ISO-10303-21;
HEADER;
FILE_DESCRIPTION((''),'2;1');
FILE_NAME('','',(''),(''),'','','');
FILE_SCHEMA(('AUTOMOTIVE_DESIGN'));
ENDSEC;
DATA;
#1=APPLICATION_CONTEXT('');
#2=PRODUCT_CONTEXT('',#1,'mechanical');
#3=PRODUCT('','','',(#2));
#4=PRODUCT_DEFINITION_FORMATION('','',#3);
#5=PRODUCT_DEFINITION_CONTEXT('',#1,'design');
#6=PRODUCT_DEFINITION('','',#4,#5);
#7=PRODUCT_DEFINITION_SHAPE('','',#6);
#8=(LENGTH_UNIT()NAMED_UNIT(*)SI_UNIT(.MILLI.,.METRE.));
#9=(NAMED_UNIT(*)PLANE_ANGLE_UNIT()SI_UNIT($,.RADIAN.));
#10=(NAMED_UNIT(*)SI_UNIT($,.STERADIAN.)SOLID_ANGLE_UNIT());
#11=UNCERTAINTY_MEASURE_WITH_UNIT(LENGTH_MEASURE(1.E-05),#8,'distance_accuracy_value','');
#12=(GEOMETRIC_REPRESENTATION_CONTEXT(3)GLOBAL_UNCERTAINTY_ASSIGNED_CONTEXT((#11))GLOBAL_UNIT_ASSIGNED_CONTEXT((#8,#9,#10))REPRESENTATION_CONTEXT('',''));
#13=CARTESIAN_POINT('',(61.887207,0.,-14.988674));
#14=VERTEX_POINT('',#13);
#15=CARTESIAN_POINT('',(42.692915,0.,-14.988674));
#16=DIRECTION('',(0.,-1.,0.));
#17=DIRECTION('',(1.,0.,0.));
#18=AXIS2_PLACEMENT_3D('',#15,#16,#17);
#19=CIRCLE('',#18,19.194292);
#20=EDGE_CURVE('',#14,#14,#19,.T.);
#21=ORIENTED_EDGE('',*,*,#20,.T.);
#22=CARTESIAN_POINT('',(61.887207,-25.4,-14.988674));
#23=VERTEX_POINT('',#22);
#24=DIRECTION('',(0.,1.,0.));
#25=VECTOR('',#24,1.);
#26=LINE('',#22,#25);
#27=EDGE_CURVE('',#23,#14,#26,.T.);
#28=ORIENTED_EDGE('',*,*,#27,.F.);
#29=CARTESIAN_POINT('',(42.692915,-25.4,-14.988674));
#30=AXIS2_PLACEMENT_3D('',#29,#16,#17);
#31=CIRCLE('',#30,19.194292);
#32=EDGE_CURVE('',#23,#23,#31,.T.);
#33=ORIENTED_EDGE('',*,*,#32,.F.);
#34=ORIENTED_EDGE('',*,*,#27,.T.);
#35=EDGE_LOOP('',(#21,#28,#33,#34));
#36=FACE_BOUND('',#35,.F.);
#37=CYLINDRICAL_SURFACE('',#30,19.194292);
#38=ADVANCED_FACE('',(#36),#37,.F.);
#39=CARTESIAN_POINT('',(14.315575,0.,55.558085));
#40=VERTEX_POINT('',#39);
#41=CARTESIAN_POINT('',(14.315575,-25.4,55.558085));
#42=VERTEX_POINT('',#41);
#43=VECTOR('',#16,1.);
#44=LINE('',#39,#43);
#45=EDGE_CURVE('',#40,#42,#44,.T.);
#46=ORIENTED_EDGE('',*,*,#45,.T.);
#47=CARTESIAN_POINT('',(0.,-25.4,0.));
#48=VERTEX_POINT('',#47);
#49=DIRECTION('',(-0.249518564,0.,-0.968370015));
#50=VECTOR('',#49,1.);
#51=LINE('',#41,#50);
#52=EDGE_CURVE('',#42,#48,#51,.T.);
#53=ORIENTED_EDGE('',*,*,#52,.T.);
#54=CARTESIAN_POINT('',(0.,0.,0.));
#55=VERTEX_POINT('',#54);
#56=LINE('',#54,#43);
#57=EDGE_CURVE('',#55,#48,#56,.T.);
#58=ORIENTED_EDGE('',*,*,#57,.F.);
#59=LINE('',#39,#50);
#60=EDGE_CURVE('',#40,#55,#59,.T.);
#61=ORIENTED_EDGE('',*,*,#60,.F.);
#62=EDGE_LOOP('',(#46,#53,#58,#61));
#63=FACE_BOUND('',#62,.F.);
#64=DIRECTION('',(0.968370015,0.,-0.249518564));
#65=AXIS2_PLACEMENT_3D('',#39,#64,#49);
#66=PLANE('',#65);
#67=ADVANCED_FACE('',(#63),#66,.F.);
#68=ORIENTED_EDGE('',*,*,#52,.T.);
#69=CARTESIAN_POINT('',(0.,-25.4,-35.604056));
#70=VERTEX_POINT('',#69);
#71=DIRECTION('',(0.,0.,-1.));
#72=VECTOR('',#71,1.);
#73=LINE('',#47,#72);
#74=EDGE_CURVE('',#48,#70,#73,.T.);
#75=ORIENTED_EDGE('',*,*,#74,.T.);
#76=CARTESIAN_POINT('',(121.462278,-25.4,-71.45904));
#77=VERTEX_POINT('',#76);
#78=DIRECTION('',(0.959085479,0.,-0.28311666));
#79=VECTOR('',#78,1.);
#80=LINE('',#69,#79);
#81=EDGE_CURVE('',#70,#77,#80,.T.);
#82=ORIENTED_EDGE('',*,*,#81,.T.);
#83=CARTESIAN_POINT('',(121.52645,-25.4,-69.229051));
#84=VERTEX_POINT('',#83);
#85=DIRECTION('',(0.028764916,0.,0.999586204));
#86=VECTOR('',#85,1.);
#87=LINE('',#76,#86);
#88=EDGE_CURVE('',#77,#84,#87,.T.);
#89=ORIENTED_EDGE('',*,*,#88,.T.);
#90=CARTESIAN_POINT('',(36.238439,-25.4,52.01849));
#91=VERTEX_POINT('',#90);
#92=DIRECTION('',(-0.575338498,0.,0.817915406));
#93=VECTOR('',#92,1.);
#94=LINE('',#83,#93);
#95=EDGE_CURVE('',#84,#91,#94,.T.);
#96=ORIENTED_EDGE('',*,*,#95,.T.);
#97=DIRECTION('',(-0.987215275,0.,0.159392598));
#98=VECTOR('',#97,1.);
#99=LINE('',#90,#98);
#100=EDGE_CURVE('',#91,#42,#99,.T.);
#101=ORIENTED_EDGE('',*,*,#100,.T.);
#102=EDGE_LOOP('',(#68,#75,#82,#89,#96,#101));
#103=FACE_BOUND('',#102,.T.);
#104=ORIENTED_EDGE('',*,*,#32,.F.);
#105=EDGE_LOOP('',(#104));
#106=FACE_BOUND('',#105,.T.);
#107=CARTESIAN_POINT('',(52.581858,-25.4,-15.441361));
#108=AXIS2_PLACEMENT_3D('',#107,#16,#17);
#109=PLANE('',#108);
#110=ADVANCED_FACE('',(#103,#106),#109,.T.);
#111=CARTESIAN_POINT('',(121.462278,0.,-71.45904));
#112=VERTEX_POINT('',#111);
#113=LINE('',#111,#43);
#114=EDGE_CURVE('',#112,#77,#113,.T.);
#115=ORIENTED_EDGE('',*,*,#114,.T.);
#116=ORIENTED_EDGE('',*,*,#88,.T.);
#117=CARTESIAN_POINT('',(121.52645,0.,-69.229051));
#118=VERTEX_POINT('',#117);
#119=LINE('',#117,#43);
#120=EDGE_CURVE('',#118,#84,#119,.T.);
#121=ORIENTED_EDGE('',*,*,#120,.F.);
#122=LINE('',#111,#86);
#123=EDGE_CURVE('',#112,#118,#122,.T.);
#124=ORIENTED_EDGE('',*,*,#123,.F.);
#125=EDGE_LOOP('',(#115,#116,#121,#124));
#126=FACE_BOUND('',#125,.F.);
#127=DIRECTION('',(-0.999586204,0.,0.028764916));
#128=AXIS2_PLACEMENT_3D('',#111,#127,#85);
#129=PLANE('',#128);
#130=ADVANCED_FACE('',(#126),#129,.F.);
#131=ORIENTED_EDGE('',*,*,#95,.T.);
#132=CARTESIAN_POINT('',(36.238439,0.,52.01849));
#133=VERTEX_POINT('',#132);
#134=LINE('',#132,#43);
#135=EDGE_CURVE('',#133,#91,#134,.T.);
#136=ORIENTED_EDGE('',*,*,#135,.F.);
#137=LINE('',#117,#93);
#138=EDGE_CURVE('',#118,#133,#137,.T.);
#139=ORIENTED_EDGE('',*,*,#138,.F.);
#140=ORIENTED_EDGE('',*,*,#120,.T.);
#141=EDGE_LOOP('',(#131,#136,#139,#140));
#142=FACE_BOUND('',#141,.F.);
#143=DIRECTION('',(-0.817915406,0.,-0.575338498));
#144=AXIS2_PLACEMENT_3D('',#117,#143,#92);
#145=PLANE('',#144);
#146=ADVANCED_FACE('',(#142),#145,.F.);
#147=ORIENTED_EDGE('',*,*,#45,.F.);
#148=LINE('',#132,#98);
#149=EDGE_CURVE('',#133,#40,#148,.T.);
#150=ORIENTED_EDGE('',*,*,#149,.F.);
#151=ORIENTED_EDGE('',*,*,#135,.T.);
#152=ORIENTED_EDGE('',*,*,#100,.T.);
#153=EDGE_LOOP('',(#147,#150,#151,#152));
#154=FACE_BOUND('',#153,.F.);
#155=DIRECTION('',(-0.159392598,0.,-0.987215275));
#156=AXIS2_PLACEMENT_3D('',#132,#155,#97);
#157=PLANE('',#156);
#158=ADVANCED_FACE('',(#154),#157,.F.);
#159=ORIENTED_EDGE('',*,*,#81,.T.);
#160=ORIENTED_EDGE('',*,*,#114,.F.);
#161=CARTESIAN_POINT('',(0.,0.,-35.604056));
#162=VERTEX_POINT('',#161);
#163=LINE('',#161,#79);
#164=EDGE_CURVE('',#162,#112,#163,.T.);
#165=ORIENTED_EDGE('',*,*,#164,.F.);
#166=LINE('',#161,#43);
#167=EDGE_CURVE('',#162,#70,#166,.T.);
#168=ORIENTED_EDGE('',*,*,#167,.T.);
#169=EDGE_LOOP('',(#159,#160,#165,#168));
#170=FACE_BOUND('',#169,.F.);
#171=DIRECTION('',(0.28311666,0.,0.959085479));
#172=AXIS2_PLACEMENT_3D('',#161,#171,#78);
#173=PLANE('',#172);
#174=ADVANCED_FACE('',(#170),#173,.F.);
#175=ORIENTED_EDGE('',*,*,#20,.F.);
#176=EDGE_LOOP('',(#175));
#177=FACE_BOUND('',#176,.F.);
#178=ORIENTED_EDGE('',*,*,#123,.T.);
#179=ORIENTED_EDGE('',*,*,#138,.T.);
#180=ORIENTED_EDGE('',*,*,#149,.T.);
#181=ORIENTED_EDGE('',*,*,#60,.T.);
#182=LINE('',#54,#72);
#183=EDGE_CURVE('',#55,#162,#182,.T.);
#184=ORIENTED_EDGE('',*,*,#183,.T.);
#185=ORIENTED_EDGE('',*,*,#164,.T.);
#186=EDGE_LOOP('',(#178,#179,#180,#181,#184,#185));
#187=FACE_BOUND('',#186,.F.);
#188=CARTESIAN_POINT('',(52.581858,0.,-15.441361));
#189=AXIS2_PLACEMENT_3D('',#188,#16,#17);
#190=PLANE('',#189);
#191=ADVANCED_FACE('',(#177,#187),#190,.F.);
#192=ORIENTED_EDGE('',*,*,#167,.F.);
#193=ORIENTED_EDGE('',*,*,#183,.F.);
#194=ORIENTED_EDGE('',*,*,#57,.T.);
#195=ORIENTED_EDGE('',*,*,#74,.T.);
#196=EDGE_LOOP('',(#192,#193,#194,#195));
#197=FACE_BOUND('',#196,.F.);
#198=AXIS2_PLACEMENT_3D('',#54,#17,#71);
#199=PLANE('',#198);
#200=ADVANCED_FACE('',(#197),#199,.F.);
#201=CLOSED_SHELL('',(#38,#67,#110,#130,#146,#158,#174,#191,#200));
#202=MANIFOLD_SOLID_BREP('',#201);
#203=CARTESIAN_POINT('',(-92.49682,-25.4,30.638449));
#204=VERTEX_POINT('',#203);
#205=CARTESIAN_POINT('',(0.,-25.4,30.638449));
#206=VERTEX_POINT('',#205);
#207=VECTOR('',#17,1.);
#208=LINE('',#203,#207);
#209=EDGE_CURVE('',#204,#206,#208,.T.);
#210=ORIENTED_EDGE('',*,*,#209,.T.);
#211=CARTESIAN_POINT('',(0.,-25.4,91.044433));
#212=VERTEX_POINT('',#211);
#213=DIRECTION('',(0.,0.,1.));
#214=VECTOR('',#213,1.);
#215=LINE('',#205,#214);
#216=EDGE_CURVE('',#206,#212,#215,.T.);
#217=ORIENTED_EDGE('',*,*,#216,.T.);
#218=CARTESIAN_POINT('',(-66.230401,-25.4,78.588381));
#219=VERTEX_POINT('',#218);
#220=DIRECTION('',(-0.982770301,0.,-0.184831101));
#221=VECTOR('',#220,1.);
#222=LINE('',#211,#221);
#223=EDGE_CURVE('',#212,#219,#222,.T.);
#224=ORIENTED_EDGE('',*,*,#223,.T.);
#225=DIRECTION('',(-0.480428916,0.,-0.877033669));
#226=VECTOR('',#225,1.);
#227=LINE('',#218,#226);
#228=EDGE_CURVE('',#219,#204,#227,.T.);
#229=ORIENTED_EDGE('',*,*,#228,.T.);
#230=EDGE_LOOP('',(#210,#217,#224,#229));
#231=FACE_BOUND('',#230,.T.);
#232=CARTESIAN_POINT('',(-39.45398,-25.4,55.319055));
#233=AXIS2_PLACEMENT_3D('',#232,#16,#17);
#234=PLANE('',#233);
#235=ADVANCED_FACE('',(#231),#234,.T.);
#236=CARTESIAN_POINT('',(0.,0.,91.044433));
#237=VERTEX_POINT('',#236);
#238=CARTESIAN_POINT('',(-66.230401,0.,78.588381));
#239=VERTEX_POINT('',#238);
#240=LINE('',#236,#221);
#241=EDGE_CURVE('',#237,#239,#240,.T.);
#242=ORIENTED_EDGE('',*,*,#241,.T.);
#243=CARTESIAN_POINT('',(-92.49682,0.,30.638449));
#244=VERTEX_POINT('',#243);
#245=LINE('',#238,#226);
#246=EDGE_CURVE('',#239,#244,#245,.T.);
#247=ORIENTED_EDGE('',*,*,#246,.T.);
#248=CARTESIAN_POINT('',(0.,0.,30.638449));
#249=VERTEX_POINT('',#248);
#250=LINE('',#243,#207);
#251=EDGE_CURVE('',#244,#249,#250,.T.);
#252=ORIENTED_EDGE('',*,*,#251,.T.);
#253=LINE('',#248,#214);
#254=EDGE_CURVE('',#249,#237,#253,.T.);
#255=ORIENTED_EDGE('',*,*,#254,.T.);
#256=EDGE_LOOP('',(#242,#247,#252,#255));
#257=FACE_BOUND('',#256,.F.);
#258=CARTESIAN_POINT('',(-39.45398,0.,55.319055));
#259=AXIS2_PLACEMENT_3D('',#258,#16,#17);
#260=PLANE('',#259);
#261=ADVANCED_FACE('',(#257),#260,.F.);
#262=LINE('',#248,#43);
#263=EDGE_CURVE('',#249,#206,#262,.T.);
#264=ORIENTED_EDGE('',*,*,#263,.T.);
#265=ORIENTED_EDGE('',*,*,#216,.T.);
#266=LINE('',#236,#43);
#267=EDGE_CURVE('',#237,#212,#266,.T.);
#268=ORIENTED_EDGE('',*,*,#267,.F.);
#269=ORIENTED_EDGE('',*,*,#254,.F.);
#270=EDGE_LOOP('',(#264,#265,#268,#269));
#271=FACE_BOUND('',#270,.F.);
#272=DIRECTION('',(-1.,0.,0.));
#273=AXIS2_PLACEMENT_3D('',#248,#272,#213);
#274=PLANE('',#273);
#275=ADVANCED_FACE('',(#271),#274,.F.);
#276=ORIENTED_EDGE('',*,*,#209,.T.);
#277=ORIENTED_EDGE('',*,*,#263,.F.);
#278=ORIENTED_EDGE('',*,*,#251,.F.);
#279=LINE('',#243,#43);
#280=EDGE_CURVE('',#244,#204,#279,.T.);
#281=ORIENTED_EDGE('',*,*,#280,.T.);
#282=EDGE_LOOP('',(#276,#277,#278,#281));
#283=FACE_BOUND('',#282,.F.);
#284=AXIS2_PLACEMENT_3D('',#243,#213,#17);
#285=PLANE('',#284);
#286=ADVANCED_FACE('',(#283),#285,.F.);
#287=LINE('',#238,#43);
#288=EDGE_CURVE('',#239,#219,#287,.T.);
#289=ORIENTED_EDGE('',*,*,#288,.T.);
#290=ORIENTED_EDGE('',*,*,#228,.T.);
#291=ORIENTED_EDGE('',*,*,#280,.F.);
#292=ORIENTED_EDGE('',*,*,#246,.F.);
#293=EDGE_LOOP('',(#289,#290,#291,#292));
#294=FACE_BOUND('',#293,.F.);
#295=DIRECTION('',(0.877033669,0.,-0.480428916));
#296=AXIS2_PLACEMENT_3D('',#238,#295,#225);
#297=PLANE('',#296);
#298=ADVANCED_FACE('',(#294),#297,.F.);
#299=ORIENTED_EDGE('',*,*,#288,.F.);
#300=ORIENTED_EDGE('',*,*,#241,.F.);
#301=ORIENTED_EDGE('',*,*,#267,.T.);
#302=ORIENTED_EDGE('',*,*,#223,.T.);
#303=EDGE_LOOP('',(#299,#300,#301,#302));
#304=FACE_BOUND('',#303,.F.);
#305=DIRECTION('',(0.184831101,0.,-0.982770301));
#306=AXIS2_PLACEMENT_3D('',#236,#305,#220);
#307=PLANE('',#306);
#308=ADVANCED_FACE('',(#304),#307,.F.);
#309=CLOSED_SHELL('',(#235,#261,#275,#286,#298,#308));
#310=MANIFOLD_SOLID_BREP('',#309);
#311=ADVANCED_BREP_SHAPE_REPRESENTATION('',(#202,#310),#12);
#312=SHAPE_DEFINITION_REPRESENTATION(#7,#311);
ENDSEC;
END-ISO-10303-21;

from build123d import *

# Parameters (mm, degrees)
F1_DEPTH = 25.4
F2_R     = 19.194292
F3_DEPTH = 25.4
F5_DEPTH = 25.4


with BuildPart() as f1:
    # F0 (on Front) → F1 (new body)
    with BuildSketch(Plane.XZ):
        Polygon((14.315575, 55.558085), (0, 0), (0, -35.604056), (121.462278, -71.45904), (121.52645, -69.229051), (36.238439, 52.01849), align=None)
    extrude(amount=F1_DEPTH)

    # F2 (on face) → F3 (cut)
    with BuildSketch(Plane.XZ.offset(25.4)):
        with Locations((42.692915, -14.988674)):
            Circle(F2_R)
    extrude(amount=-F3_DEPTH, mode=Mode.SUBTRACT)


with BuildPart() as f5:
    # F4 (on Front) → F5 (new body)
    with BuildSketch(Plane.XZ):
        Polygon((-66.230401, 78.588381), (-92.49682, 30.638449), (0, 30.638449), (0, 91.044433), align=None)
    extrude(amount=F5_DEPTH)


solid = Compound([f1.part, f5.part])
